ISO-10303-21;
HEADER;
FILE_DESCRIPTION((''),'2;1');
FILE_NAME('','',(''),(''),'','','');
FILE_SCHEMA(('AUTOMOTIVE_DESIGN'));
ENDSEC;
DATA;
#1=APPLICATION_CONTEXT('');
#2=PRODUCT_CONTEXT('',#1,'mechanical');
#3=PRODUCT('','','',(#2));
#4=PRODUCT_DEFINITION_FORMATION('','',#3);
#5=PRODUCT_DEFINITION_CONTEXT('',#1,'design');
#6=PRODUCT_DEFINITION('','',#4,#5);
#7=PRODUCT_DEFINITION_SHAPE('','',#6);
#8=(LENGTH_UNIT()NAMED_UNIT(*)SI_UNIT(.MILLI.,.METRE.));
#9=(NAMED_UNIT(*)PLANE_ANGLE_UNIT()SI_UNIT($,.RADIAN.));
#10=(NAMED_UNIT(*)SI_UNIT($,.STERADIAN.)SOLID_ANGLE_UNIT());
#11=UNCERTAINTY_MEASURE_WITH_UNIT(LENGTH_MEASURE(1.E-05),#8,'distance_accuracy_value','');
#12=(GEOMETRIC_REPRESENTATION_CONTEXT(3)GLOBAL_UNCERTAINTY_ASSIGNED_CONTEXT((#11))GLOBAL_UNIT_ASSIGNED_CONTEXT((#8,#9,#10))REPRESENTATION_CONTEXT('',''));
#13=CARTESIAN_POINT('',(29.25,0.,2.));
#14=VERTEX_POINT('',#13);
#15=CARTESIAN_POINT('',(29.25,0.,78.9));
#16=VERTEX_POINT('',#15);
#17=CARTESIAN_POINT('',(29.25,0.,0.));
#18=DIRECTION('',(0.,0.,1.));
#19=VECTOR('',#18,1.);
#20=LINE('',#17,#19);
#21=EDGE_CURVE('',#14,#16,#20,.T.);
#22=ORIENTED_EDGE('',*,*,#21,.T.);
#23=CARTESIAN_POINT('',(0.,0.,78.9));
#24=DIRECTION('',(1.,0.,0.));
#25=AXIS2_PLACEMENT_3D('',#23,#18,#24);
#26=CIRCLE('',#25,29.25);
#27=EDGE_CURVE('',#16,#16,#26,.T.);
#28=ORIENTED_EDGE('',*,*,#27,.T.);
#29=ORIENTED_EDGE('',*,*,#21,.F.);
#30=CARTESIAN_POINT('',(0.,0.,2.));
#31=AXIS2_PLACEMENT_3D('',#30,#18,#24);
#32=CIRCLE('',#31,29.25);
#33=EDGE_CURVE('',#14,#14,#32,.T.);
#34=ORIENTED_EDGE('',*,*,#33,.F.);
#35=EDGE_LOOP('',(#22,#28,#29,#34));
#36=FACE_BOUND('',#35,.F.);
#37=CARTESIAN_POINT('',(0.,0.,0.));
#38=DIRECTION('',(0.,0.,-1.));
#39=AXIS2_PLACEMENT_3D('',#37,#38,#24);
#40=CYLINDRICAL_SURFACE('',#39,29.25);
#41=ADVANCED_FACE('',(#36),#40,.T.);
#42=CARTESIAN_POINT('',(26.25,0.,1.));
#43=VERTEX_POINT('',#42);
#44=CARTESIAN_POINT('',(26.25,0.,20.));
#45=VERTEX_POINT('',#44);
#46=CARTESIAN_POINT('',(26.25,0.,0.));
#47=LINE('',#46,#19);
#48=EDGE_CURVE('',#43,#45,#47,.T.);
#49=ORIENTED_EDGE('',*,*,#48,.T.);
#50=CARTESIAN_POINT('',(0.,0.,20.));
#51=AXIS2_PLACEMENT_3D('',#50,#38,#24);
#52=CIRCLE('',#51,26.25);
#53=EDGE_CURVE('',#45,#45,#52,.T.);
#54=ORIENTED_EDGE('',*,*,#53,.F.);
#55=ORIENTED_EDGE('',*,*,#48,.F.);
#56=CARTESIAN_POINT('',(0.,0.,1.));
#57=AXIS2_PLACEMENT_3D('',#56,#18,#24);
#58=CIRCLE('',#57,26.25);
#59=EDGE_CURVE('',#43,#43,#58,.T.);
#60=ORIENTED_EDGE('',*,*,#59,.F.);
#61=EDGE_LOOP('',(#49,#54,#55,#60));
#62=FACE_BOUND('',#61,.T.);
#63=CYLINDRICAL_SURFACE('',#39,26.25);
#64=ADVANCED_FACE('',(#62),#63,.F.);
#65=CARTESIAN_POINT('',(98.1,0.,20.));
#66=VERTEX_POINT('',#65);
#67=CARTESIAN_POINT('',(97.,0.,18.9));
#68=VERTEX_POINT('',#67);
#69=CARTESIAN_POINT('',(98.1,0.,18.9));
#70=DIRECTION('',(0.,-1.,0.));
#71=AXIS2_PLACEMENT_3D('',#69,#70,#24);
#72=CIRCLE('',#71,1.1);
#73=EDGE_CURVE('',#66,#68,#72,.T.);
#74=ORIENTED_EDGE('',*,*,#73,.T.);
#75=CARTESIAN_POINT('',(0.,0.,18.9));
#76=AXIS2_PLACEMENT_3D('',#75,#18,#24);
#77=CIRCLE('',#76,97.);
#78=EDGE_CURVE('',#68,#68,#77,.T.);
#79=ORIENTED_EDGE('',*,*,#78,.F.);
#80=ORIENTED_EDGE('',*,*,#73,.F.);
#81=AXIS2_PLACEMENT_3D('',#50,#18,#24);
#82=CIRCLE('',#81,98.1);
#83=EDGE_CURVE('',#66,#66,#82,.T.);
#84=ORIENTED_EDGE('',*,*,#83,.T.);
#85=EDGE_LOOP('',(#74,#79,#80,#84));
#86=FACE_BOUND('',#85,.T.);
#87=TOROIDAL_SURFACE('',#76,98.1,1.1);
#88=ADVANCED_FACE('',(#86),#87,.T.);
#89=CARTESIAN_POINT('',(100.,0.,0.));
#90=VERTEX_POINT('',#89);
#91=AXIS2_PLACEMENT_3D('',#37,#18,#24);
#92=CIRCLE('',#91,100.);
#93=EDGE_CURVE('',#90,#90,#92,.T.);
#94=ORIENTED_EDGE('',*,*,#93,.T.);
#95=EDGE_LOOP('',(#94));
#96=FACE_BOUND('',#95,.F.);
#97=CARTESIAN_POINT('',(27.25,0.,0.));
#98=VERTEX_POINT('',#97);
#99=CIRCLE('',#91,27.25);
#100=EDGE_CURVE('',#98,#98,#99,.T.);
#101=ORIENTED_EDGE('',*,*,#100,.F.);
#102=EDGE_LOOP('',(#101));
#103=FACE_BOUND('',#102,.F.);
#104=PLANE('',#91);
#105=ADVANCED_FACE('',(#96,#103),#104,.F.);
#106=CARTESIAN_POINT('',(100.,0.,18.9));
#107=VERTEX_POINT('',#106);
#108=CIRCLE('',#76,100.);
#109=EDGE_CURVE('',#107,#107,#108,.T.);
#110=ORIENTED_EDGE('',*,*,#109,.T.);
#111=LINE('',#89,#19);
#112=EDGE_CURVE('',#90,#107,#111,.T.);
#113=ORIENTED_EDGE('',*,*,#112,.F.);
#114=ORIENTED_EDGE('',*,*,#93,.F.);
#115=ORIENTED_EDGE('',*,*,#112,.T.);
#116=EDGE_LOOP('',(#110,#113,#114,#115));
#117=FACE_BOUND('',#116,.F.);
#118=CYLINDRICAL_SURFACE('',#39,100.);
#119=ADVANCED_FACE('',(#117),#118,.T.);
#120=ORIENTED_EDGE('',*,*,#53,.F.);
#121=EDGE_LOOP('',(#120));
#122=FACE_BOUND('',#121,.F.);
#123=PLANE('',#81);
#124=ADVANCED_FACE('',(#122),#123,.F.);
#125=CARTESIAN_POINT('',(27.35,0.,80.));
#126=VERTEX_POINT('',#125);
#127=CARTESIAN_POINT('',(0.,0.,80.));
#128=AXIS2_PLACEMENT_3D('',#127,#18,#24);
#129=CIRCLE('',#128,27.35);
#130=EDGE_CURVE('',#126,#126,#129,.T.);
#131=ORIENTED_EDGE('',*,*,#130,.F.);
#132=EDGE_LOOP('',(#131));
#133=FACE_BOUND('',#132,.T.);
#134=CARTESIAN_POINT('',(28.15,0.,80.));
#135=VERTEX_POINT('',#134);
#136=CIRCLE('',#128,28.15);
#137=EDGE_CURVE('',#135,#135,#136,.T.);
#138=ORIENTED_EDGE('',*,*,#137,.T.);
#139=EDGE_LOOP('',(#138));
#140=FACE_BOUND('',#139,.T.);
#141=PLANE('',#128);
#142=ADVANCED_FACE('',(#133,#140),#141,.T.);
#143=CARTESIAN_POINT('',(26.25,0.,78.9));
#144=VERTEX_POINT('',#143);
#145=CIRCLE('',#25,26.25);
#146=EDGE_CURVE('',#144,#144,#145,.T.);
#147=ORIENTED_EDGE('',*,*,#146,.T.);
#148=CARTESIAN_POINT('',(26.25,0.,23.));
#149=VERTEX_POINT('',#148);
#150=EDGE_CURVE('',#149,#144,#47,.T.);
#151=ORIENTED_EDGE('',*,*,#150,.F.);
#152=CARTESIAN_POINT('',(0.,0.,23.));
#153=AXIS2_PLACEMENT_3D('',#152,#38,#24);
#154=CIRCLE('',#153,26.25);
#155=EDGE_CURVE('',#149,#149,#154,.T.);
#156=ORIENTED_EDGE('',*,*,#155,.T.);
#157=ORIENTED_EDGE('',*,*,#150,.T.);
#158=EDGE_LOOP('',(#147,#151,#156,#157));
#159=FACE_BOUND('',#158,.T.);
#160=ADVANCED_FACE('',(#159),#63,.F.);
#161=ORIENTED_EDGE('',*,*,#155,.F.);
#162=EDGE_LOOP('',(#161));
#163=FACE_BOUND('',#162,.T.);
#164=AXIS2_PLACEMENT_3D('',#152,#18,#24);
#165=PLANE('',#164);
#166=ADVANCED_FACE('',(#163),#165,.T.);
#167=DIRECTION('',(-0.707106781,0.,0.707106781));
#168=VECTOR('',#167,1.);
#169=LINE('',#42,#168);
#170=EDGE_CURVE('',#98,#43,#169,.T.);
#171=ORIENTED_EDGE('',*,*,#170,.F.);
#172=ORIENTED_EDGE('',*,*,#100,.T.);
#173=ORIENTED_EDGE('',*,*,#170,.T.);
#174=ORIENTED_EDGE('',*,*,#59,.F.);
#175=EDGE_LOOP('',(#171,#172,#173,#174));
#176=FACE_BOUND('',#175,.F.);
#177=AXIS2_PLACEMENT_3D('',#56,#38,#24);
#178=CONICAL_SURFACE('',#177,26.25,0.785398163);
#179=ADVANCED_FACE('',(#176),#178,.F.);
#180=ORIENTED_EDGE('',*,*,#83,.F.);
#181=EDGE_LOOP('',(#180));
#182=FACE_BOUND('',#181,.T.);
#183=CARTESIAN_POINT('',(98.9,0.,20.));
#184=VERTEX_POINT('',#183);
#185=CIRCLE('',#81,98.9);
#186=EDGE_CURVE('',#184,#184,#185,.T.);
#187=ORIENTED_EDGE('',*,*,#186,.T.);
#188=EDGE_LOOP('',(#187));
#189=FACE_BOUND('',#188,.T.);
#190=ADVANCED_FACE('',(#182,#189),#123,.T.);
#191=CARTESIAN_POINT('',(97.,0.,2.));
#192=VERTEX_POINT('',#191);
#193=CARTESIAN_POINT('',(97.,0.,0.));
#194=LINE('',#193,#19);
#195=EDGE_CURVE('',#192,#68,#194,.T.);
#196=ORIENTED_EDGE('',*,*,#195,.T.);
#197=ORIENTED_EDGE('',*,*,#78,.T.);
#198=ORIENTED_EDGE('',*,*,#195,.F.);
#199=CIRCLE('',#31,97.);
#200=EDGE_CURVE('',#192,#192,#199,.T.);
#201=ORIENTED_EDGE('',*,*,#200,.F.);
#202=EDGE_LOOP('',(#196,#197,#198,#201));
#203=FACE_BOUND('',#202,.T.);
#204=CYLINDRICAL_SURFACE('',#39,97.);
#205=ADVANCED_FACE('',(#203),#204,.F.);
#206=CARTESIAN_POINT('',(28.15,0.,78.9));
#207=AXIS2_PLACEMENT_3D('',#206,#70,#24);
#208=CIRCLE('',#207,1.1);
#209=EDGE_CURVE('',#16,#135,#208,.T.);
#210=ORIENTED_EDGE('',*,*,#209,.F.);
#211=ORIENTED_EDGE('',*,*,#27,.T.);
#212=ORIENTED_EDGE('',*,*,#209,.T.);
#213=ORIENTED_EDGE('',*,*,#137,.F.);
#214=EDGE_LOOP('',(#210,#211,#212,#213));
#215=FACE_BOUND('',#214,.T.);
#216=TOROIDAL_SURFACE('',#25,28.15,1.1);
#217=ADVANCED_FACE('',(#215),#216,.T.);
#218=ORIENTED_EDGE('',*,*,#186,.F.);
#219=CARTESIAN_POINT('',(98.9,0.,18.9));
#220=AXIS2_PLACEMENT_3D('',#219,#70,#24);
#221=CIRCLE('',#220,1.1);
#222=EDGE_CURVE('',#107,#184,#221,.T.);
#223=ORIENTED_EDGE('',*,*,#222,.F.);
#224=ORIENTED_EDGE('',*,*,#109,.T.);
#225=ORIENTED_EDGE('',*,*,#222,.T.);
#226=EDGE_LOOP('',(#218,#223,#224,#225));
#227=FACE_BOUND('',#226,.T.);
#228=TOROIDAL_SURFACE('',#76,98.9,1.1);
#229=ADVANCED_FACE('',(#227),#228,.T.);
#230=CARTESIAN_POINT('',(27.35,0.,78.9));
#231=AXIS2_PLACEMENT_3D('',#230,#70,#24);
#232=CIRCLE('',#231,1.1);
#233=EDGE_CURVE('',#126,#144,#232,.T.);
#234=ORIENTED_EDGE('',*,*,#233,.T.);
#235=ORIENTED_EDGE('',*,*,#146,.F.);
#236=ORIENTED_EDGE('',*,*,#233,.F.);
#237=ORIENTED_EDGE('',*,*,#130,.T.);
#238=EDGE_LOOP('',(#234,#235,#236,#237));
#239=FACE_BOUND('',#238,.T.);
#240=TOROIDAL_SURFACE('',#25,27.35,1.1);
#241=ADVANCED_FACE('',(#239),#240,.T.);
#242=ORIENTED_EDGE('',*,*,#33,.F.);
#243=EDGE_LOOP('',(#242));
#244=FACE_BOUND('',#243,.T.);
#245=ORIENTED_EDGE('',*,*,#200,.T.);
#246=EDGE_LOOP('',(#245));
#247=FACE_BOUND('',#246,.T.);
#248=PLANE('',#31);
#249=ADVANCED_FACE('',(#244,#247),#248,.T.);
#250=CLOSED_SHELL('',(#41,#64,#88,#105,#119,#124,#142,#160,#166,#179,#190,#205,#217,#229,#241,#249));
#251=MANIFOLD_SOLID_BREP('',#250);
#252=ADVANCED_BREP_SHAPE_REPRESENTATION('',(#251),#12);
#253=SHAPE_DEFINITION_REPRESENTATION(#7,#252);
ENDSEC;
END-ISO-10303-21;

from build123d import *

# Parameters (mm, degrees)
F0_R     = 97
F0_R_2   = 29.25
F1_DEPTH = 2
F0_R_3   = 100
F2_DEPTH = 20
F0_R_4   = 26.25
F3_DEPTH = 80
F5_R     = 27.25
F6_DEPTH = 3
F7_R     = 1.1
F8_SIZE  = 1


with BuildPart() as f1:
    # F0 (on Top) → F1 (new body)
    with BuildSketch(Plane.XY):
        Circle(F0_R)
        Circle(F0_R_2, mode=Mode.SUBTRACT)
    extrude(amount=F1_DEPTH)

    # F0 (on Top) → F2 (join)
    with BuildSketch(Plane.XY):
        Circle(F0_R_3)
        Circle(F0_R, mode=Mode.SUBTRACT)
    extrude(amount=F2_DEPTH)

    # F0 (on Top) → F3 (join)
    with BuildSketch(Plane.XY):
        Circle(F0_R_2)
        Circle(F0_R_4, mode=Mode.SUBTRACT)
    extrude(amount=F3_DEPTH)

    # F5 (on offset) → F6 (join)
    with BuildSketch(Plane.XY.offset(20)):
        Circle(F5_R)
    extrude(amount=F6_DEPTH)

    # F7
    f7_edges = [f1.edges().sort_by_distance(p)[0] for p in [
        (-100, 0, 20),
        (-97, 0, 20),
        (-29.25, 0, 80),
        (-26.25, 0, 80),
    ]]
    fillet(f7_edges, radius=F7_R)

    # F8
    f8_edges = [f1.edges().sort_by_distance(p)[0] for p in [
        (-26.25, 0, 0),
    ]]
    chamfer(f8_edges, length=F8_SIZE)


solid = f1.part
